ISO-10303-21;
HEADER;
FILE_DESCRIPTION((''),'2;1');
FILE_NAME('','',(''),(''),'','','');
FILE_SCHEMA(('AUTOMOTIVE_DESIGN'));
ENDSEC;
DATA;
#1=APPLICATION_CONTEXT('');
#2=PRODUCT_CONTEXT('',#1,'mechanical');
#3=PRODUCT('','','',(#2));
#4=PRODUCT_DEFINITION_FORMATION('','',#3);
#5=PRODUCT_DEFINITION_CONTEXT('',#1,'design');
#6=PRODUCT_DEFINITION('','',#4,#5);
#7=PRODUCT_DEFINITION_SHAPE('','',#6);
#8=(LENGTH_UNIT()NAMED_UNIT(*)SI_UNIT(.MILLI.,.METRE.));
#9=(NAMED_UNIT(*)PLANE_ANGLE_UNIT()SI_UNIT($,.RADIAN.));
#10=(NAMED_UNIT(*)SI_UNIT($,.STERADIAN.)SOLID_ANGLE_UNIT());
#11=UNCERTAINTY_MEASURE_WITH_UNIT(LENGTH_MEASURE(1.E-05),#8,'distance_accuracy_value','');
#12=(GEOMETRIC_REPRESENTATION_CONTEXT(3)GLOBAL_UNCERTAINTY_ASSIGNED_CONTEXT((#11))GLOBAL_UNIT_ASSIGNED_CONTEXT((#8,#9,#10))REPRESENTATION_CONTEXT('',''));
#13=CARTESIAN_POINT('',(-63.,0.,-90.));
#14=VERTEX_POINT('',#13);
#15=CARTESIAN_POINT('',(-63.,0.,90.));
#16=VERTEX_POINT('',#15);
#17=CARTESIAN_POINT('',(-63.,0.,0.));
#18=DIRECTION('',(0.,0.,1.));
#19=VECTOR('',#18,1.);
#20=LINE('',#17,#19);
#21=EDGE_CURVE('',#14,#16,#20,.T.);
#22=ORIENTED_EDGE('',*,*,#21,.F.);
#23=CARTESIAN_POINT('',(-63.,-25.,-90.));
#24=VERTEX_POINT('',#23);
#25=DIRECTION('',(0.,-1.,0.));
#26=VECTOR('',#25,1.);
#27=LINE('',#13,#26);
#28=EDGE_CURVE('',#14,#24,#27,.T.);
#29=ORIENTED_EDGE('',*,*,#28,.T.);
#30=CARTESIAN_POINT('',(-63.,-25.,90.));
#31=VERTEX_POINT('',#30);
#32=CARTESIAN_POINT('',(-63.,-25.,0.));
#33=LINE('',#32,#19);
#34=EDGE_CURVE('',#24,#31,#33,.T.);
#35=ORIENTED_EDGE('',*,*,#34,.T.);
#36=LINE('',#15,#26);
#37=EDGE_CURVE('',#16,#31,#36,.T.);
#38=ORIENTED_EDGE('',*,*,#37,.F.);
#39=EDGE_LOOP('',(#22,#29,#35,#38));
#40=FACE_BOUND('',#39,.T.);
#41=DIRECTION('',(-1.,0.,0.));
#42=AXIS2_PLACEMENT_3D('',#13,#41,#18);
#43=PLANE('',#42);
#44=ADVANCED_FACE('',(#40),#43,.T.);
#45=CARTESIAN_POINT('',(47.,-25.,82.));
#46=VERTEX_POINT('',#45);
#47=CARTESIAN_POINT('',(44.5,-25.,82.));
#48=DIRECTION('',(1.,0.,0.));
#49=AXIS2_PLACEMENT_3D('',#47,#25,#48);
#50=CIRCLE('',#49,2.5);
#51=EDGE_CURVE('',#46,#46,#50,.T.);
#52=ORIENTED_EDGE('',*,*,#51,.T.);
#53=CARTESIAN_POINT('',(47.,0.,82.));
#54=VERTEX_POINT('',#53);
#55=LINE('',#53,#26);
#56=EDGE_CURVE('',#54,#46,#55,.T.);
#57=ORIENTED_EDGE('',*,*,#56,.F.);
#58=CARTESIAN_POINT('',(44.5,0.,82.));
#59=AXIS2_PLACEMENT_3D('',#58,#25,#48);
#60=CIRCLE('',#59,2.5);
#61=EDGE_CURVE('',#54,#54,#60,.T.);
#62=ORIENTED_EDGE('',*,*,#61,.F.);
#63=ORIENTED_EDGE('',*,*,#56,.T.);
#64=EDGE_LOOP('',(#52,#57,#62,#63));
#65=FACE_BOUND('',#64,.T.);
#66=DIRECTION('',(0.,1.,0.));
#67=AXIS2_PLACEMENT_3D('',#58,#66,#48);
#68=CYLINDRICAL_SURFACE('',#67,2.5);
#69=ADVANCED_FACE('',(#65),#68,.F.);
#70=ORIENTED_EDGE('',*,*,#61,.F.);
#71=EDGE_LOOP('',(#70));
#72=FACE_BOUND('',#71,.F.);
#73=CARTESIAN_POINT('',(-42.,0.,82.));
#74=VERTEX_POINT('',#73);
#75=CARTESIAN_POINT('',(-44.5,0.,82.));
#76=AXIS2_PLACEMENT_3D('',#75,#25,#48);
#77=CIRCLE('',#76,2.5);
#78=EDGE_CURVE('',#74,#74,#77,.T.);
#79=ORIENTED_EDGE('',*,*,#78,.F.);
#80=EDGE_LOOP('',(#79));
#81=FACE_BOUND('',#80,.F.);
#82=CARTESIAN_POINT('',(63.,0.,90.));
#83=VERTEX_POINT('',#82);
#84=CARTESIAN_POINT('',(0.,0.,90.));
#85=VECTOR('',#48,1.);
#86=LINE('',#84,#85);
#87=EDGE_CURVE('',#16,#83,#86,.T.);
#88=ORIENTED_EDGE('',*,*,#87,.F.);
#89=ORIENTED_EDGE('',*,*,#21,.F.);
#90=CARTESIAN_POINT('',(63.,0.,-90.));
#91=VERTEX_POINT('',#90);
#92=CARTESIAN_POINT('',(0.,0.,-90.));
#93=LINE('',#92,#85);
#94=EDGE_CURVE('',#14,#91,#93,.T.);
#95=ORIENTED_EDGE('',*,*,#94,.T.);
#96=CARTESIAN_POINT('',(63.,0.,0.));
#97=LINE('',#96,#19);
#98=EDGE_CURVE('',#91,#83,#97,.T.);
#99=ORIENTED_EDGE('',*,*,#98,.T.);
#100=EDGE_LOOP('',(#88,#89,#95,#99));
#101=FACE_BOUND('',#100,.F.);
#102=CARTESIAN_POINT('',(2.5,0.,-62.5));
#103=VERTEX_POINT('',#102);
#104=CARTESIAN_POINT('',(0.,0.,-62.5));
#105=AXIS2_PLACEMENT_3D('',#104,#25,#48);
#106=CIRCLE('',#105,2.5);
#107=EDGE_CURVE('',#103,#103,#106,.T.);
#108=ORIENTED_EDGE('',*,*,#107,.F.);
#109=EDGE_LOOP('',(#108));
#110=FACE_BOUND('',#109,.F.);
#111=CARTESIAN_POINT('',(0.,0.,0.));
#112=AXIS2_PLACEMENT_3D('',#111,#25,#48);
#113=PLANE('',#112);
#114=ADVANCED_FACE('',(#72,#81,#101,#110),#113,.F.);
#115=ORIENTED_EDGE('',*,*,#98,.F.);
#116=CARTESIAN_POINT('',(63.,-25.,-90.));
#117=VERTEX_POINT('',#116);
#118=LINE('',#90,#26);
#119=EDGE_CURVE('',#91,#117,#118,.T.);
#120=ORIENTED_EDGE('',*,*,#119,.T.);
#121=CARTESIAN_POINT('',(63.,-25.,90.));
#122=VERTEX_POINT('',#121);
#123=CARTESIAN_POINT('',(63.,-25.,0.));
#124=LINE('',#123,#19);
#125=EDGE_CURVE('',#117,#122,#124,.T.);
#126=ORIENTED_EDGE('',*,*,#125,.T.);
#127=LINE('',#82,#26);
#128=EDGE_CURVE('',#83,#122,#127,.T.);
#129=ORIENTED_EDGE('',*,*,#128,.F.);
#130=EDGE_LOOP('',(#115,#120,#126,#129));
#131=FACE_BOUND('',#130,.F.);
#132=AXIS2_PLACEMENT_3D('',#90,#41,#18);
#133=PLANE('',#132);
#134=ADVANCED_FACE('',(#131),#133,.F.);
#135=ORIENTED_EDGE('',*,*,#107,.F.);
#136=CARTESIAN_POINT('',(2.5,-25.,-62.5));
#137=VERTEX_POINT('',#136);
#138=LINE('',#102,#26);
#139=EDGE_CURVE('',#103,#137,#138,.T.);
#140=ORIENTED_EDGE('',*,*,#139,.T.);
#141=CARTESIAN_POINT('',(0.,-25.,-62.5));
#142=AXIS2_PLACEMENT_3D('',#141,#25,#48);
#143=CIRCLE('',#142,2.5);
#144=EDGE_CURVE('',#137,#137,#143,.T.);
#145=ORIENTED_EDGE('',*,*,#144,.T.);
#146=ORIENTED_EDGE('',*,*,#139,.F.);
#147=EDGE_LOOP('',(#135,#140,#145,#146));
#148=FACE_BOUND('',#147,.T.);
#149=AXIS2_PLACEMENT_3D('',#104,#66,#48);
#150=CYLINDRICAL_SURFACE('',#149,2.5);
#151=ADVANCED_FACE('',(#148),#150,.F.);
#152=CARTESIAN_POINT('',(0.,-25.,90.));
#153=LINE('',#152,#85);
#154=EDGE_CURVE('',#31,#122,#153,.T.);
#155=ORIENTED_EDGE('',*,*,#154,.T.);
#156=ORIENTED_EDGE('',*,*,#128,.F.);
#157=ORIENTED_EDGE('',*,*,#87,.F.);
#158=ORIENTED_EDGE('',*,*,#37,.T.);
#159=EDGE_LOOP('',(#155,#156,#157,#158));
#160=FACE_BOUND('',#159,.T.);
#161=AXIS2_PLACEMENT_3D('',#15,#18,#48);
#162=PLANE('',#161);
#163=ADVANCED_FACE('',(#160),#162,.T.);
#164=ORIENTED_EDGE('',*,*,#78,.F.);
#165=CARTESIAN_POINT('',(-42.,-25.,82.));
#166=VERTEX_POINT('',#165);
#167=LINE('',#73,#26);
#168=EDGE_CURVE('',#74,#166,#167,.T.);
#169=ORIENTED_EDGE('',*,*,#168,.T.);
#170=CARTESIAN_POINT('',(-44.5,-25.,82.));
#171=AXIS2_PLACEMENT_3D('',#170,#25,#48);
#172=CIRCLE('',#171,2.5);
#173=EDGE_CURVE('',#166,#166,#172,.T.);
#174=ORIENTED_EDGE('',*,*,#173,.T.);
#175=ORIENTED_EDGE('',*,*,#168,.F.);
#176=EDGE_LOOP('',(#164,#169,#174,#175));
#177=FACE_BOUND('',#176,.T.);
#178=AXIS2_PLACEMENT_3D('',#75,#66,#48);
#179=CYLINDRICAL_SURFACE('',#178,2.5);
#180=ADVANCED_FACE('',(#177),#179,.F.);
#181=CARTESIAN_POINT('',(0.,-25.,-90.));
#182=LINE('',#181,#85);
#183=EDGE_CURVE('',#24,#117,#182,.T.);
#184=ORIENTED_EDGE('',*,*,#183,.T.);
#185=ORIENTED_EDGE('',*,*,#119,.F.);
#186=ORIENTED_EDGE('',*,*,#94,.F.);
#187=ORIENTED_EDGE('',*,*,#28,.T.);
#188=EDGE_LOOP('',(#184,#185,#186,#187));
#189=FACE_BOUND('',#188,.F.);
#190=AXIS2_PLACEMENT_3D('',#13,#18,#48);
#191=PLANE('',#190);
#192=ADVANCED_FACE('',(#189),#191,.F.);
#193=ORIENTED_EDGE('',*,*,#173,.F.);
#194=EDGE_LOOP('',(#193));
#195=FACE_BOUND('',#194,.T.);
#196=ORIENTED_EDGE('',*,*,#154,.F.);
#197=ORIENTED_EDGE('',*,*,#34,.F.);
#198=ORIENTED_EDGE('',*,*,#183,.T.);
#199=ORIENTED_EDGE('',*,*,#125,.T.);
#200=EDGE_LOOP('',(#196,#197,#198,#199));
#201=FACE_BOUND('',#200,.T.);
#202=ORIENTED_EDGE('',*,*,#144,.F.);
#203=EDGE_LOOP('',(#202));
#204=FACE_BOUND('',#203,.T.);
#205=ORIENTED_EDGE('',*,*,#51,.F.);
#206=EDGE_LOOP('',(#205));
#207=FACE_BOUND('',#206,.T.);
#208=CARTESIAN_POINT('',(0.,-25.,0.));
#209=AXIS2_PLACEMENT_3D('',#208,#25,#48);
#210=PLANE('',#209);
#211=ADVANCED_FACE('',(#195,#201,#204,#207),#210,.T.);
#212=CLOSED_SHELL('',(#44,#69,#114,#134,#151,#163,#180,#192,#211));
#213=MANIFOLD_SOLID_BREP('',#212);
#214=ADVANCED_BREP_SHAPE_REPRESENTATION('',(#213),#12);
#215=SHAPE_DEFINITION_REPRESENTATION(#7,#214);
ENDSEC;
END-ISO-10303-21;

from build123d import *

# Parameters (mm, degrees)
F0_W     = 126
F0_H     = 180
F0_R     = 2.5
F1_DEPTH = 25


with BuildPart() as f1:
    # F0 (on Front) → F1 (new body)
    with BuildSketch(Plane.XZ):
        Rectangle(F0_W, F0_H)
        with Locations((0, -62.5)):
            Circle(F0_R, mode=Mode.SUBTRACT)
        with Locations((-44.5, 82)):
            Circle(F0_R, mode=Mode.SUBTRACT)
        with Locations((44.5, 82)):
            Circle(F0_R, mode=Mode.SUBTRACT)
    extrude(amount=F1_DEPTH)


solid = f1.part
